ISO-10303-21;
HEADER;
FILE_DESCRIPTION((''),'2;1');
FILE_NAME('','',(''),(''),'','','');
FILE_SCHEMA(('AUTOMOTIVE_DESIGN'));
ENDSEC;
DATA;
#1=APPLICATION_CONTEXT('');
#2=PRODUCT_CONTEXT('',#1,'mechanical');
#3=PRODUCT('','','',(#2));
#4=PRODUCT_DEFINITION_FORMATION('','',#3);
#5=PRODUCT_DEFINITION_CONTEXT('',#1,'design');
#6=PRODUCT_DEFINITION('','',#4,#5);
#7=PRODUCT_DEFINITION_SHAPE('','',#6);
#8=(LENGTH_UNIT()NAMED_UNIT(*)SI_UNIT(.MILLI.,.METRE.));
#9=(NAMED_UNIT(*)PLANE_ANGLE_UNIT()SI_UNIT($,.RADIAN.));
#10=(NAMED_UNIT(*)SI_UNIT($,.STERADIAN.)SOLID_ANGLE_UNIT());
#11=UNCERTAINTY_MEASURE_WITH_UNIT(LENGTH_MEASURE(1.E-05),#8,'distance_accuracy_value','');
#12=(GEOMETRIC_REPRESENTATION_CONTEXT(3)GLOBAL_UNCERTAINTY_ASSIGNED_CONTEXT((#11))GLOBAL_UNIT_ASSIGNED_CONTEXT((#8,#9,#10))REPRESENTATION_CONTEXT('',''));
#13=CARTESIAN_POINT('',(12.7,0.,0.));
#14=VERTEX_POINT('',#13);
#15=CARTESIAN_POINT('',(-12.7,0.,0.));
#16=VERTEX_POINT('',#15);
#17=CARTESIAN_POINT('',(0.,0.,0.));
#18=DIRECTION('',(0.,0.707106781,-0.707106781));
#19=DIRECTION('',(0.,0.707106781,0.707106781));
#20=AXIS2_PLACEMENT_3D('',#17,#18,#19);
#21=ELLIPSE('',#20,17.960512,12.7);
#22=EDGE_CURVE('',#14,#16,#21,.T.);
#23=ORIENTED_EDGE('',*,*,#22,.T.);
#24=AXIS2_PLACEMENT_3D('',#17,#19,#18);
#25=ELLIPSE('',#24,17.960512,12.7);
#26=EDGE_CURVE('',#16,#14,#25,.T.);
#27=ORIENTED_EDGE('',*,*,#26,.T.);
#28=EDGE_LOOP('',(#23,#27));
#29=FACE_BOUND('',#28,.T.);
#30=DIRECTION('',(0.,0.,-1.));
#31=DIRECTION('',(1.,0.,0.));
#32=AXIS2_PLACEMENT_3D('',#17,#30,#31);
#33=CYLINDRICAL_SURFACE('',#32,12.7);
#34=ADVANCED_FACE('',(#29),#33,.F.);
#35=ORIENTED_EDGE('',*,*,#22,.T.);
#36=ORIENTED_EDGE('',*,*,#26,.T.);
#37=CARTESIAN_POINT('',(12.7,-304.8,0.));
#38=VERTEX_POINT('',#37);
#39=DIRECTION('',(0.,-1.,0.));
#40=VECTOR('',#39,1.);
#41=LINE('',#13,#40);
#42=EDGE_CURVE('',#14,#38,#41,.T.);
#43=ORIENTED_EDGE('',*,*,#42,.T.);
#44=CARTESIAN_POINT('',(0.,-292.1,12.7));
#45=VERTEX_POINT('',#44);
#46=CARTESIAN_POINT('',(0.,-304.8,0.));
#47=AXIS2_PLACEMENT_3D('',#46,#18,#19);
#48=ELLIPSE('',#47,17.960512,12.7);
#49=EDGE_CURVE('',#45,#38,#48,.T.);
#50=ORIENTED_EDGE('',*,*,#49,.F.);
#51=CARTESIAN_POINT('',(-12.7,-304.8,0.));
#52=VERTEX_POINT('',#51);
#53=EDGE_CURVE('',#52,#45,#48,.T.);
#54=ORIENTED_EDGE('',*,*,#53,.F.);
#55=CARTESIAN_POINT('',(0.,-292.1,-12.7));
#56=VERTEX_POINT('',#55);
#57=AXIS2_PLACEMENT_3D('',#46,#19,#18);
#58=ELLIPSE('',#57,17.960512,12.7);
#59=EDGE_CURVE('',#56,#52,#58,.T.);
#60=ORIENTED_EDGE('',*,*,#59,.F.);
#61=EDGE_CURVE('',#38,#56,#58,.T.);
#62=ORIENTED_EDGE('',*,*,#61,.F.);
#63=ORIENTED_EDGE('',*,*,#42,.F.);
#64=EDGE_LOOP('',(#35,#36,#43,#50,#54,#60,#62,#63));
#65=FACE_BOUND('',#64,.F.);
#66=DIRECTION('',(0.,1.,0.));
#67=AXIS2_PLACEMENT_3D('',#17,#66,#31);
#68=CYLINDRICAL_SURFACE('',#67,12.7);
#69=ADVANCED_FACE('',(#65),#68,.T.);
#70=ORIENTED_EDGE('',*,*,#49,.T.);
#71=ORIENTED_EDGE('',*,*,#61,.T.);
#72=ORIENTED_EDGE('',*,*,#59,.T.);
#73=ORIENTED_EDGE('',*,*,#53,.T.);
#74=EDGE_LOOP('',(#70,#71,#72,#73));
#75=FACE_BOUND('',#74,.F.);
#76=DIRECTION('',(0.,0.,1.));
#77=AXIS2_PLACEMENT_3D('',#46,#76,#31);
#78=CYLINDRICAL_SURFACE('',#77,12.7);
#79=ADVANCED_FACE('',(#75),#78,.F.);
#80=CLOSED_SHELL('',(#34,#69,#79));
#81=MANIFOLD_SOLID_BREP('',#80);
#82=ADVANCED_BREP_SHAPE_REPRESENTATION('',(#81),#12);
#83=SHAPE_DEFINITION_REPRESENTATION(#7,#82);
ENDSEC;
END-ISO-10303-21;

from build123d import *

# Parameters (mm, degrees)
F0_R          = 12.7
F1_DEPTH      = 304.8
F2_R          = 12.7
F3_DEPTH      = 12.701
F3_DEPTH_BACK = 12.701


with BuildPart() as f1:
    # F0 (on Front) → F1 (new body)
    with BuildSketch(Plane.XZ):
        Circle(F0_R)
    extrude(amount=F1_DEPTH)

    # F2 (on Top) → F3 (cut, two sides)
    with BuildSketch(Plane.XY) as f3_sk:
        Circle(F2_R)
        with Locations((0, -304.8)):
            Circle(F2_R)
    extrude(amount=-F3_DEPTH, mode=Mode.SUBTRACT)
    extrude(f3_sk.sketch, amount=F3_DEPTH_BACK, mode=Mode.SUBTRACT)


solid = f1.part
